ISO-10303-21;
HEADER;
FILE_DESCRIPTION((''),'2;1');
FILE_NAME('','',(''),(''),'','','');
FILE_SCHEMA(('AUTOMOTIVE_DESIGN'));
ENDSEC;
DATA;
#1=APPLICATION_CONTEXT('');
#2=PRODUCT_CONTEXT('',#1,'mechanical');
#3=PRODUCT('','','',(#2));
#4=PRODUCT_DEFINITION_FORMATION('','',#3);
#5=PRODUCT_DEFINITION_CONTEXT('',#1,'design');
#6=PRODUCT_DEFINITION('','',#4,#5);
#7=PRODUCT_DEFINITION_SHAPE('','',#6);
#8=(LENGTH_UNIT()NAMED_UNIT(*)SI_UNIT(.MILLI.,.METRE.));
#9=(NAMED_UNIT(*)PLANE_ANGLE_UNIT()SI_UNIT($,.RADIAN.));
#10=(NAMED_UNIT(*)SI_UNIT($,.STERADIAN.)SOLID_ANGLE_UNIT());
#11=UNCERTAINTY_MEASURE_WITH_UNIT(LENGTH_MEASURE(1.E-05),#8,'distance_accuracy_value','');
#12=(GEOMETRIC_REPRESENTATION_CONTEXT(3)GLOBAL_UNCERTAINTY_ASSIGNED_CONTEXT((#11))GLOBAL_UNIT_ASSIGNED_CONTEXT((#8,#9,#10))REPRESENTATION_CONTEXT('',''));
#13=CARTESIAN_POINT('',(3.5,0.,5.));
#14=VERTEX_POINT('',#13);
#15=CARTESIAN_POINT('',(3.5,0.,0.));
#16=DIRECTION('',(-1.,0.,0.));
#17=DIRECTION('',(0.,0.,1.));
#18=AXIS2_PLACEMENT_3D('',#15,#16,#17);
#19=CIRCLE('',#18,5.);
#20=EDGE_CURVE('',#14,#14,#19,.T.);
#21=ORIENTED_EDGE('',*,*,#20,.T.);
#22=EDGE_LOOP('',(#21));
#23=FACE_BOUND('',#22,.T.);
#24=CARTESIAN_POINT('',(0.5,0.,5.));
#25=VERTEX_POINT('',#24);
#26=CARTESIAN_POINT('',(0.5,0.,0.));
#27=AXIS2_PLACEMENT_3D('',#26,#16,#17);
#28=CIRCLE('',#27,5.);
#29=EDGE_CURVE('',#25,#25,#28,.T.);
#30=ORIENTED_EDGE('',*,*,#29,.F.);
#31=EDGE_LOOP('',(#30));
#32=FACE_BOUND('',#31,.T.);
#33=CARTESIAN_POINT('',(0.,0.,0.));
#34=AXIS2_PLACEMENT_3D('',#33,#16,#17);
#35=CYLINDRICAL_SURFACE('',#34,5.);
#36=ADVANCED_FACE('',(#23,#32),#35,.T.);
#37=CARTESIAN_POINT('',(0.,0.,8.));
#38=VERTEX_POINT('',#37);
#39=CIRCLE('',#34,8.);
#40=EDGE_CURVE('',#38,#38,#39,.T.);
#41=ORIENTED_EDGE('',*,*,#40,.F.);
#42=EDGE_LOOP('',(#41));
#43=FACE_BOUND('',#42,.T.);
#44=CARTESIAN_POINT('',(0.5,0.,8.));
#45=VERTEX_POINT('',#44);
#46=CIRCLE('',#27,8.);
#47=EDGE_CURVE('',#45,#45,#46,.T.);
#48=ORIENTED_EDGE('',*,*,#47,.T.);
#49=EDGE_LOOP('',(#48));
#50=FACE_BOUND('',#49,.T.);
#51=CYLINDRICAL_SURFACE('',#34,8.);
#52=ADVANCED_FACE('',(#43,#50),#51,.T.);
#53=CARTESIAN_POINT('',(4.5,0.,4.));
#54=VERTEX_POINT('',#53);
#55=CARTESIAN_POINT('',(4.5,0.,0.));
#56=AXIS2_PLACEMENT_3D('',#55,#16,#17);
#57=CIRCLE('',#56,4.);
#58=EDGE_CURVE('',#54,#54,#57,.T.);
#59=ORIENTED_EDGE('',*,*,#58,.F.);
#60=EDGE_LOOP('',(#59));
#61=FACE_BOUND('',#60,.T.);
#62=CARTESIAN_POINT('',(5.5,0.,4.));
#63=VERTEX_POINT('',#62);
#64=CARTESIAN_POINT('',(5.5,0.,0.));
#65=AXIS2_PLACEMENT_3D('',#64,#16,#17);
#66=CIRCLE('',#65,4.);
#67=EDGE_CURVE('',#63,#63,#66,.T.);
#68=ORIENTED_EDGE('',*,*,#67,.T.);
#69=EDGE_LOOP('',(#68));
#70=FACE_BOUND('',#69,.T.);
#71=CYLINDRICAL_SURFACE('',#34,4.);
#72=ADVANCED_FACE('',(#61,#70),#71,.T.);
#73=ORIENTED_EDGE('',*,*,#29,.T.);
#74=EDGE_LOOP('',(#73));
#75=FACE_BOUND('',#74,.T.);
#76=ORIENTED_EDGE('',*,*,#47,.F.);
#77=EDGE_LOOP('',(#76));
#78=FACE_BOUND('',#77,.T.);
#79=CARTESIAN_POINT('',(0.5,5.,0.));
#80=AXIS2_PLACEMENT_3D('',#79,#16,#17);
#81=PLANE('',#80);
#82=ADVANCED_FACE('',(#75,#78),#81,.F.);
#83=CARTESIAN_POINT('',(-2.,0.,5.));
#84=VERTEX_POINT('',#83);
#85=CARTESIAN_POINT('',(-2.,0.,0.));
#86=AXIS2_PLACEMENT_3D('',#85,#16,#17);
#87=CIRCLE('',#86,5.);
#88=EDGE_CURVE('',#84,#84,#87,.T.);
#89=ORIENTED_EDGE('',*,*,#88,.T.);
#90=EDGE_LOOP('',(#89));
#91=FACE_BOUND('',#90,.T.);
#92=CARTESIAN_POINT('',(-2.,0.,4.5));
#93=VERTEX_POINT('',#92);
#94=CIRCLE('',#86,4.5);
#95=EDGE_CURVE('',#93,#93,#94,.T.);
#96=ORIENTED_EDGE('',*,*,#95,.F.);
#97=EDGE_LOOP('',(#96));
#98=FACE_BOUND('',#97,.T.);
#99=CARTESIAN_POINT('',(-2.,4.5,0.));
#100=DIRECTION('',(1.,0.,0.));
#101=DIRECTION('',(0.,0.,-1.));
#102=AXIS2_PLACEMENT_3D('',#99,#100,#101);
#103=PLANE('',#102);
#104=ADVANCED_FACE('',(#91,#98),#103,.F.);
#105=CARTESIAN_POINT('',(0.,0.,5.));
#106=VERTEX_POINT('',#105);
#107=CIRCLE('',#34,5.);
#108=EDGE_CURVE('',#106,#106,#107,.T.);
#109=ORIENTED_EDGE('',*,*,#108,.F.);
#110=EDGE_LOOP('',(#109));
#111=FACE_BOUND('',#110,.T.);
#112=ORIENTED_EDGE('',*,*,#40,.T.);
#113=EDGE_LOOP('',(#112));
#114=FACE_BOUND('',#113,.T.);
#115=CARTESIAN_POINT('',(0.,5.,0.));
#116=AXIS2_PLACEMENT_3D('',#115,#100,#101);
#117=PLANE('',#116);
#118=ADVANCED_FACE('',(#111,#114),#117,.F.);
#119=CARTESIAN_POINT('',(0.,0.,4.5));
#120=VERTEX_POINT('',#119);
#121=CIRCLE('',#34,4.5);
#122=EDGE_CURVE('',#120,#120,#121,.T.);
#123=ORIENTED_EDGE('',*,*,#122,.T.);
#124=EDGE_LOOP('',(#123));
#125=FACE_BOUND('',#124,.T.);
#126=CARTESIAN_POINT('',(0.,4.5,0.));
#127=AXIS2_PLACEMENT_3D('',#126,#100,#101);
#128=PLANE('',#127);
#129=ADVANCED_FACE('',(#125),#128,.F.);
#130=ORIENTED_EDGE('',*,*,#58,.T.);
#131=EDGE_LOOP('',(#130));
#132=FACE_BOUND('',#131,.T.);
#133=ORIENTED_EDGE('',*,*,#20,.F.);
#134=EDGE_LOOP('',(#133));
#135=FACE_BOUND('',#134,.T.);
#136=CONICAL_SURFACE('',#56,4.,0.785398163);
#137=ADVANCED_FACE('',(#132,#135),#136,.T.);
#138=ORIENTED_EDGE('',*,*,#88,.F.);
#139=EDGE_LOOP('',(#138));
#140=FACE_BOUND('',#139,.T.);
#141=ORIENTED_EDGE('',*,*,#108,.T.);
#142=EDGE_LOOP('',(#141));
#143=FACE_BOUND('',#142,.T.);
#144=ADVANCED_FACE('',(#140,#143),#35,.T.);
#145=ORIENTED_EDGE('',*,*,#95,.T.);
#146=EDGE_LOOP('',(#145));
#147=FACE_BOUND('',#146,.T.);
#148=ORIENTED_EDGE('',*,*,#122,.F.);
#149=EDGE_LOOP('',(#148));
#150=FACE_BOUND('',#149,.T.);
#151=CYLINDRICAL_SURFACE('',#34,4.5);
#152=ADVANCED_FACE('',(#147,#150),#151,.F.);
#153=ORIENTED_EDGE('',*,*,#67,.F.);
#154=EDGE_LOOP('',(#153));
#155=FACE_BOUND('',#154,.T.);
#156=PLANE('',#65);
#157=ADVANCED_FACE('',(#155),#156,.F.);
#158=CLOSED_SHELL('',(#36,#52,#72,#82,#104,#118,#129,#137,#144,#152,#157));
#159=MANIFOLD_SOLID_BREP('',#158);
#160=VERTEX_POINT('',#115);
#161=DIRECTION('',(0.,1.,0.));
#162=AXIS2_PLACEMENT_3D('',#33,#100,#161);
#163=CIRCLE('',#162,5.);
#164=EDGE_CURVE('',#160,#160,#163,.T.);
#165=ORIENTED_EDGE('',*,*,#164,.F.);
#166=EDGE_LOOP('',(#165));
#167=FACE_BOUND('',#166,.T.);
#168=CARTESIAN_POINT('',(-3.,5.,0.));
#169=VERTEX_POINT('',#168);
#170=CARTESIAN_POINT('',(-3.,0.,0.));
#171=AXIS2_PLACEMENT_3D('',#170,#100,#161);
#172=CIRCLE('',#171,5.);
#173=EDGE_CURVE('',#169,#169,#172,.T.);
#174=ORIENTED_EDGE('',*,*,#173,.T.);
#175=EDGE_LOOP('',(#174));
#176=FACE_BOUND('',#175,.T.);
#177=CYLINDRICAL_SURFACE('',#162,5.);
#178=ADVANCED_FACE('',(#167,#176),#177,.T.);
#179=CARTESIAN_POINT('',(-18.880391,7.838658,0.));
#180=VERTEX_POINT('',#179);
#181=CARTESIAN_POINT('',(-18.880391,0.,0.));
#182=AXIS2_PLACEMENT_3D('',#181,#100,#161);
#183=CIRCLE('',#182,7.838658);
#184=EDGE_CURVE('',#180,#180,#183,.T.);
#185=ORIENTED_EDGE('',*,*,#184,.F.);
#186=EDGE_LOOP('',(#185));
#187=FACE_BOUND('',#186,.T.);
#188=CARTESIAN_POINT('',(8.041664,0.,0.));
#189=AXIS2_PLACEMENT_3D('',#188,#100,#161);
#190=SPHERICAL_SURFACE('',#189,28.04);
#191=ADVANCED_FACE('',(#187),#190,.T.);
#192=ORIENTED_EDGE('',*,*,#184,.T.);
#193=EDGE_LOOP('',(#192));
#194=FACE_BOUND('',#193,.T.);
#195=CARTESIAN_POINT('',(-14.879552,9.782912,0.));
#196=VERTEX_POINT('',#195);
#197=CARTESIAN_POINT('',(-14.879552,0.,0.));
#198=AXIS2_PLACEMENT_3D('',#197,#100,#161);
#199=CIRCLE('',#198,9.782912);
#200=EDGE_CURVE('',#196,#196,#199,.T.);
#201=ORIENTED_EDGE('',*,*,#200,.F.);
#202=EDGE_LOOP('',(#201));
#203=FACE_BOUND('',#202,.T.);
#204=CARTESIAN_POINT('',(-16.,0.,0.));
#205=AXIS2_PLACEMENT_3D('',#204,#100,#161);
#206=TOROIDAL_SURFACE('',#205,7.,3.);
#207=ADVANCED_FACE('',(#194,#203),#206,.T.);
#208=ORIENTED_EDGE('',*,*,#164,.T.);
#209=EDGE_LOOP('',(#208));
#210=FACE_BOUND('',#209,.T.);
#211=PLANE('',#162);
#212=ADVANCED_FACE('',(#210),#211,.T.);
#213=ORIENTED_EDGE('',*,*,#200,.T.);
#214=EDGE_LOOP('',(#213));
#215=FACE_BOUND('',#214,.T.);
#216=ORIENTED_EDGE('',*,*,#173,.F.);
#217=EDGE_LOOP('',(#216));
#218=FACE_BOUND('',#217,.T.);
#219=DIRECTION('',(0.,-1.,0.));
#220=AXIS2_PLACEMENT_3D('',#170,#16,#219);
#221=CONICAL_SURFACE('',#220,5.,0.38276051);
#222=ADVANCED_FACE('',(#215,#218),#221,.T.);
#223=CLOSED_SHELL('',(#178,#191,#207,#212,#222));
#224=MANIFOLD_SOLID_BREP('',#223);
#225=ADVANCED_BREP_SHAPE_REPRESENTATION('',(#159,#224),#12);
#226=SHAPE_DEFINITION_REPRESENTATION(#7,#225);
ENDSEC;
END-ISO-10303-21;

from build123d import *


with BuildPart() as part:
    # Sketch1 → Revolve1 (revolve)
    with BuildSketch(Plane.XY, mode=Mode.PRIVATE) as revolve1_sk:
        Polygon((0, 0), (5.5, 0), (5.5, 4), (4.5, 4), (3.5, 5), (0.5, 5), (0.5, 8), (0, 8), (0, 5), (-2, 5), (-2, 4.5), (0, 4.5), align=None)
    revolve(revolve1_sk.sketch.rotate(Axis((0, 0, 0), (1, 0, 0)), 90), axis=Axis((0, 0, 0), (1, 0, 0)))


with BuildPart() as body_2:
    # Sketch2 → Revolve2 (revolve)
    with BuildSketch(Plane.XY):
        with BuildLine():
            Line((0, 0), (0, 5))
            Line((0, 5), (-3, 5))
            Line((-3, 5), (-14.879552076, 9.782911506))
            ThreePointArc((-14.879552076, 9.782911506), (-17.311251394, 9.698262363), (-18.880391035, 7.838658147))
            ThreePointArc((-18.880391035, 7.838658147), (-19.717442945, 3.958988597), (-19.998336164, 0))
            Line((-19.998336164, 0), (0, 0))
        make_face()
    revolve(axis=Axis((0, 0, 0), (-1, 0, 0)))


solid = Compound([part.part, body_2.part])
